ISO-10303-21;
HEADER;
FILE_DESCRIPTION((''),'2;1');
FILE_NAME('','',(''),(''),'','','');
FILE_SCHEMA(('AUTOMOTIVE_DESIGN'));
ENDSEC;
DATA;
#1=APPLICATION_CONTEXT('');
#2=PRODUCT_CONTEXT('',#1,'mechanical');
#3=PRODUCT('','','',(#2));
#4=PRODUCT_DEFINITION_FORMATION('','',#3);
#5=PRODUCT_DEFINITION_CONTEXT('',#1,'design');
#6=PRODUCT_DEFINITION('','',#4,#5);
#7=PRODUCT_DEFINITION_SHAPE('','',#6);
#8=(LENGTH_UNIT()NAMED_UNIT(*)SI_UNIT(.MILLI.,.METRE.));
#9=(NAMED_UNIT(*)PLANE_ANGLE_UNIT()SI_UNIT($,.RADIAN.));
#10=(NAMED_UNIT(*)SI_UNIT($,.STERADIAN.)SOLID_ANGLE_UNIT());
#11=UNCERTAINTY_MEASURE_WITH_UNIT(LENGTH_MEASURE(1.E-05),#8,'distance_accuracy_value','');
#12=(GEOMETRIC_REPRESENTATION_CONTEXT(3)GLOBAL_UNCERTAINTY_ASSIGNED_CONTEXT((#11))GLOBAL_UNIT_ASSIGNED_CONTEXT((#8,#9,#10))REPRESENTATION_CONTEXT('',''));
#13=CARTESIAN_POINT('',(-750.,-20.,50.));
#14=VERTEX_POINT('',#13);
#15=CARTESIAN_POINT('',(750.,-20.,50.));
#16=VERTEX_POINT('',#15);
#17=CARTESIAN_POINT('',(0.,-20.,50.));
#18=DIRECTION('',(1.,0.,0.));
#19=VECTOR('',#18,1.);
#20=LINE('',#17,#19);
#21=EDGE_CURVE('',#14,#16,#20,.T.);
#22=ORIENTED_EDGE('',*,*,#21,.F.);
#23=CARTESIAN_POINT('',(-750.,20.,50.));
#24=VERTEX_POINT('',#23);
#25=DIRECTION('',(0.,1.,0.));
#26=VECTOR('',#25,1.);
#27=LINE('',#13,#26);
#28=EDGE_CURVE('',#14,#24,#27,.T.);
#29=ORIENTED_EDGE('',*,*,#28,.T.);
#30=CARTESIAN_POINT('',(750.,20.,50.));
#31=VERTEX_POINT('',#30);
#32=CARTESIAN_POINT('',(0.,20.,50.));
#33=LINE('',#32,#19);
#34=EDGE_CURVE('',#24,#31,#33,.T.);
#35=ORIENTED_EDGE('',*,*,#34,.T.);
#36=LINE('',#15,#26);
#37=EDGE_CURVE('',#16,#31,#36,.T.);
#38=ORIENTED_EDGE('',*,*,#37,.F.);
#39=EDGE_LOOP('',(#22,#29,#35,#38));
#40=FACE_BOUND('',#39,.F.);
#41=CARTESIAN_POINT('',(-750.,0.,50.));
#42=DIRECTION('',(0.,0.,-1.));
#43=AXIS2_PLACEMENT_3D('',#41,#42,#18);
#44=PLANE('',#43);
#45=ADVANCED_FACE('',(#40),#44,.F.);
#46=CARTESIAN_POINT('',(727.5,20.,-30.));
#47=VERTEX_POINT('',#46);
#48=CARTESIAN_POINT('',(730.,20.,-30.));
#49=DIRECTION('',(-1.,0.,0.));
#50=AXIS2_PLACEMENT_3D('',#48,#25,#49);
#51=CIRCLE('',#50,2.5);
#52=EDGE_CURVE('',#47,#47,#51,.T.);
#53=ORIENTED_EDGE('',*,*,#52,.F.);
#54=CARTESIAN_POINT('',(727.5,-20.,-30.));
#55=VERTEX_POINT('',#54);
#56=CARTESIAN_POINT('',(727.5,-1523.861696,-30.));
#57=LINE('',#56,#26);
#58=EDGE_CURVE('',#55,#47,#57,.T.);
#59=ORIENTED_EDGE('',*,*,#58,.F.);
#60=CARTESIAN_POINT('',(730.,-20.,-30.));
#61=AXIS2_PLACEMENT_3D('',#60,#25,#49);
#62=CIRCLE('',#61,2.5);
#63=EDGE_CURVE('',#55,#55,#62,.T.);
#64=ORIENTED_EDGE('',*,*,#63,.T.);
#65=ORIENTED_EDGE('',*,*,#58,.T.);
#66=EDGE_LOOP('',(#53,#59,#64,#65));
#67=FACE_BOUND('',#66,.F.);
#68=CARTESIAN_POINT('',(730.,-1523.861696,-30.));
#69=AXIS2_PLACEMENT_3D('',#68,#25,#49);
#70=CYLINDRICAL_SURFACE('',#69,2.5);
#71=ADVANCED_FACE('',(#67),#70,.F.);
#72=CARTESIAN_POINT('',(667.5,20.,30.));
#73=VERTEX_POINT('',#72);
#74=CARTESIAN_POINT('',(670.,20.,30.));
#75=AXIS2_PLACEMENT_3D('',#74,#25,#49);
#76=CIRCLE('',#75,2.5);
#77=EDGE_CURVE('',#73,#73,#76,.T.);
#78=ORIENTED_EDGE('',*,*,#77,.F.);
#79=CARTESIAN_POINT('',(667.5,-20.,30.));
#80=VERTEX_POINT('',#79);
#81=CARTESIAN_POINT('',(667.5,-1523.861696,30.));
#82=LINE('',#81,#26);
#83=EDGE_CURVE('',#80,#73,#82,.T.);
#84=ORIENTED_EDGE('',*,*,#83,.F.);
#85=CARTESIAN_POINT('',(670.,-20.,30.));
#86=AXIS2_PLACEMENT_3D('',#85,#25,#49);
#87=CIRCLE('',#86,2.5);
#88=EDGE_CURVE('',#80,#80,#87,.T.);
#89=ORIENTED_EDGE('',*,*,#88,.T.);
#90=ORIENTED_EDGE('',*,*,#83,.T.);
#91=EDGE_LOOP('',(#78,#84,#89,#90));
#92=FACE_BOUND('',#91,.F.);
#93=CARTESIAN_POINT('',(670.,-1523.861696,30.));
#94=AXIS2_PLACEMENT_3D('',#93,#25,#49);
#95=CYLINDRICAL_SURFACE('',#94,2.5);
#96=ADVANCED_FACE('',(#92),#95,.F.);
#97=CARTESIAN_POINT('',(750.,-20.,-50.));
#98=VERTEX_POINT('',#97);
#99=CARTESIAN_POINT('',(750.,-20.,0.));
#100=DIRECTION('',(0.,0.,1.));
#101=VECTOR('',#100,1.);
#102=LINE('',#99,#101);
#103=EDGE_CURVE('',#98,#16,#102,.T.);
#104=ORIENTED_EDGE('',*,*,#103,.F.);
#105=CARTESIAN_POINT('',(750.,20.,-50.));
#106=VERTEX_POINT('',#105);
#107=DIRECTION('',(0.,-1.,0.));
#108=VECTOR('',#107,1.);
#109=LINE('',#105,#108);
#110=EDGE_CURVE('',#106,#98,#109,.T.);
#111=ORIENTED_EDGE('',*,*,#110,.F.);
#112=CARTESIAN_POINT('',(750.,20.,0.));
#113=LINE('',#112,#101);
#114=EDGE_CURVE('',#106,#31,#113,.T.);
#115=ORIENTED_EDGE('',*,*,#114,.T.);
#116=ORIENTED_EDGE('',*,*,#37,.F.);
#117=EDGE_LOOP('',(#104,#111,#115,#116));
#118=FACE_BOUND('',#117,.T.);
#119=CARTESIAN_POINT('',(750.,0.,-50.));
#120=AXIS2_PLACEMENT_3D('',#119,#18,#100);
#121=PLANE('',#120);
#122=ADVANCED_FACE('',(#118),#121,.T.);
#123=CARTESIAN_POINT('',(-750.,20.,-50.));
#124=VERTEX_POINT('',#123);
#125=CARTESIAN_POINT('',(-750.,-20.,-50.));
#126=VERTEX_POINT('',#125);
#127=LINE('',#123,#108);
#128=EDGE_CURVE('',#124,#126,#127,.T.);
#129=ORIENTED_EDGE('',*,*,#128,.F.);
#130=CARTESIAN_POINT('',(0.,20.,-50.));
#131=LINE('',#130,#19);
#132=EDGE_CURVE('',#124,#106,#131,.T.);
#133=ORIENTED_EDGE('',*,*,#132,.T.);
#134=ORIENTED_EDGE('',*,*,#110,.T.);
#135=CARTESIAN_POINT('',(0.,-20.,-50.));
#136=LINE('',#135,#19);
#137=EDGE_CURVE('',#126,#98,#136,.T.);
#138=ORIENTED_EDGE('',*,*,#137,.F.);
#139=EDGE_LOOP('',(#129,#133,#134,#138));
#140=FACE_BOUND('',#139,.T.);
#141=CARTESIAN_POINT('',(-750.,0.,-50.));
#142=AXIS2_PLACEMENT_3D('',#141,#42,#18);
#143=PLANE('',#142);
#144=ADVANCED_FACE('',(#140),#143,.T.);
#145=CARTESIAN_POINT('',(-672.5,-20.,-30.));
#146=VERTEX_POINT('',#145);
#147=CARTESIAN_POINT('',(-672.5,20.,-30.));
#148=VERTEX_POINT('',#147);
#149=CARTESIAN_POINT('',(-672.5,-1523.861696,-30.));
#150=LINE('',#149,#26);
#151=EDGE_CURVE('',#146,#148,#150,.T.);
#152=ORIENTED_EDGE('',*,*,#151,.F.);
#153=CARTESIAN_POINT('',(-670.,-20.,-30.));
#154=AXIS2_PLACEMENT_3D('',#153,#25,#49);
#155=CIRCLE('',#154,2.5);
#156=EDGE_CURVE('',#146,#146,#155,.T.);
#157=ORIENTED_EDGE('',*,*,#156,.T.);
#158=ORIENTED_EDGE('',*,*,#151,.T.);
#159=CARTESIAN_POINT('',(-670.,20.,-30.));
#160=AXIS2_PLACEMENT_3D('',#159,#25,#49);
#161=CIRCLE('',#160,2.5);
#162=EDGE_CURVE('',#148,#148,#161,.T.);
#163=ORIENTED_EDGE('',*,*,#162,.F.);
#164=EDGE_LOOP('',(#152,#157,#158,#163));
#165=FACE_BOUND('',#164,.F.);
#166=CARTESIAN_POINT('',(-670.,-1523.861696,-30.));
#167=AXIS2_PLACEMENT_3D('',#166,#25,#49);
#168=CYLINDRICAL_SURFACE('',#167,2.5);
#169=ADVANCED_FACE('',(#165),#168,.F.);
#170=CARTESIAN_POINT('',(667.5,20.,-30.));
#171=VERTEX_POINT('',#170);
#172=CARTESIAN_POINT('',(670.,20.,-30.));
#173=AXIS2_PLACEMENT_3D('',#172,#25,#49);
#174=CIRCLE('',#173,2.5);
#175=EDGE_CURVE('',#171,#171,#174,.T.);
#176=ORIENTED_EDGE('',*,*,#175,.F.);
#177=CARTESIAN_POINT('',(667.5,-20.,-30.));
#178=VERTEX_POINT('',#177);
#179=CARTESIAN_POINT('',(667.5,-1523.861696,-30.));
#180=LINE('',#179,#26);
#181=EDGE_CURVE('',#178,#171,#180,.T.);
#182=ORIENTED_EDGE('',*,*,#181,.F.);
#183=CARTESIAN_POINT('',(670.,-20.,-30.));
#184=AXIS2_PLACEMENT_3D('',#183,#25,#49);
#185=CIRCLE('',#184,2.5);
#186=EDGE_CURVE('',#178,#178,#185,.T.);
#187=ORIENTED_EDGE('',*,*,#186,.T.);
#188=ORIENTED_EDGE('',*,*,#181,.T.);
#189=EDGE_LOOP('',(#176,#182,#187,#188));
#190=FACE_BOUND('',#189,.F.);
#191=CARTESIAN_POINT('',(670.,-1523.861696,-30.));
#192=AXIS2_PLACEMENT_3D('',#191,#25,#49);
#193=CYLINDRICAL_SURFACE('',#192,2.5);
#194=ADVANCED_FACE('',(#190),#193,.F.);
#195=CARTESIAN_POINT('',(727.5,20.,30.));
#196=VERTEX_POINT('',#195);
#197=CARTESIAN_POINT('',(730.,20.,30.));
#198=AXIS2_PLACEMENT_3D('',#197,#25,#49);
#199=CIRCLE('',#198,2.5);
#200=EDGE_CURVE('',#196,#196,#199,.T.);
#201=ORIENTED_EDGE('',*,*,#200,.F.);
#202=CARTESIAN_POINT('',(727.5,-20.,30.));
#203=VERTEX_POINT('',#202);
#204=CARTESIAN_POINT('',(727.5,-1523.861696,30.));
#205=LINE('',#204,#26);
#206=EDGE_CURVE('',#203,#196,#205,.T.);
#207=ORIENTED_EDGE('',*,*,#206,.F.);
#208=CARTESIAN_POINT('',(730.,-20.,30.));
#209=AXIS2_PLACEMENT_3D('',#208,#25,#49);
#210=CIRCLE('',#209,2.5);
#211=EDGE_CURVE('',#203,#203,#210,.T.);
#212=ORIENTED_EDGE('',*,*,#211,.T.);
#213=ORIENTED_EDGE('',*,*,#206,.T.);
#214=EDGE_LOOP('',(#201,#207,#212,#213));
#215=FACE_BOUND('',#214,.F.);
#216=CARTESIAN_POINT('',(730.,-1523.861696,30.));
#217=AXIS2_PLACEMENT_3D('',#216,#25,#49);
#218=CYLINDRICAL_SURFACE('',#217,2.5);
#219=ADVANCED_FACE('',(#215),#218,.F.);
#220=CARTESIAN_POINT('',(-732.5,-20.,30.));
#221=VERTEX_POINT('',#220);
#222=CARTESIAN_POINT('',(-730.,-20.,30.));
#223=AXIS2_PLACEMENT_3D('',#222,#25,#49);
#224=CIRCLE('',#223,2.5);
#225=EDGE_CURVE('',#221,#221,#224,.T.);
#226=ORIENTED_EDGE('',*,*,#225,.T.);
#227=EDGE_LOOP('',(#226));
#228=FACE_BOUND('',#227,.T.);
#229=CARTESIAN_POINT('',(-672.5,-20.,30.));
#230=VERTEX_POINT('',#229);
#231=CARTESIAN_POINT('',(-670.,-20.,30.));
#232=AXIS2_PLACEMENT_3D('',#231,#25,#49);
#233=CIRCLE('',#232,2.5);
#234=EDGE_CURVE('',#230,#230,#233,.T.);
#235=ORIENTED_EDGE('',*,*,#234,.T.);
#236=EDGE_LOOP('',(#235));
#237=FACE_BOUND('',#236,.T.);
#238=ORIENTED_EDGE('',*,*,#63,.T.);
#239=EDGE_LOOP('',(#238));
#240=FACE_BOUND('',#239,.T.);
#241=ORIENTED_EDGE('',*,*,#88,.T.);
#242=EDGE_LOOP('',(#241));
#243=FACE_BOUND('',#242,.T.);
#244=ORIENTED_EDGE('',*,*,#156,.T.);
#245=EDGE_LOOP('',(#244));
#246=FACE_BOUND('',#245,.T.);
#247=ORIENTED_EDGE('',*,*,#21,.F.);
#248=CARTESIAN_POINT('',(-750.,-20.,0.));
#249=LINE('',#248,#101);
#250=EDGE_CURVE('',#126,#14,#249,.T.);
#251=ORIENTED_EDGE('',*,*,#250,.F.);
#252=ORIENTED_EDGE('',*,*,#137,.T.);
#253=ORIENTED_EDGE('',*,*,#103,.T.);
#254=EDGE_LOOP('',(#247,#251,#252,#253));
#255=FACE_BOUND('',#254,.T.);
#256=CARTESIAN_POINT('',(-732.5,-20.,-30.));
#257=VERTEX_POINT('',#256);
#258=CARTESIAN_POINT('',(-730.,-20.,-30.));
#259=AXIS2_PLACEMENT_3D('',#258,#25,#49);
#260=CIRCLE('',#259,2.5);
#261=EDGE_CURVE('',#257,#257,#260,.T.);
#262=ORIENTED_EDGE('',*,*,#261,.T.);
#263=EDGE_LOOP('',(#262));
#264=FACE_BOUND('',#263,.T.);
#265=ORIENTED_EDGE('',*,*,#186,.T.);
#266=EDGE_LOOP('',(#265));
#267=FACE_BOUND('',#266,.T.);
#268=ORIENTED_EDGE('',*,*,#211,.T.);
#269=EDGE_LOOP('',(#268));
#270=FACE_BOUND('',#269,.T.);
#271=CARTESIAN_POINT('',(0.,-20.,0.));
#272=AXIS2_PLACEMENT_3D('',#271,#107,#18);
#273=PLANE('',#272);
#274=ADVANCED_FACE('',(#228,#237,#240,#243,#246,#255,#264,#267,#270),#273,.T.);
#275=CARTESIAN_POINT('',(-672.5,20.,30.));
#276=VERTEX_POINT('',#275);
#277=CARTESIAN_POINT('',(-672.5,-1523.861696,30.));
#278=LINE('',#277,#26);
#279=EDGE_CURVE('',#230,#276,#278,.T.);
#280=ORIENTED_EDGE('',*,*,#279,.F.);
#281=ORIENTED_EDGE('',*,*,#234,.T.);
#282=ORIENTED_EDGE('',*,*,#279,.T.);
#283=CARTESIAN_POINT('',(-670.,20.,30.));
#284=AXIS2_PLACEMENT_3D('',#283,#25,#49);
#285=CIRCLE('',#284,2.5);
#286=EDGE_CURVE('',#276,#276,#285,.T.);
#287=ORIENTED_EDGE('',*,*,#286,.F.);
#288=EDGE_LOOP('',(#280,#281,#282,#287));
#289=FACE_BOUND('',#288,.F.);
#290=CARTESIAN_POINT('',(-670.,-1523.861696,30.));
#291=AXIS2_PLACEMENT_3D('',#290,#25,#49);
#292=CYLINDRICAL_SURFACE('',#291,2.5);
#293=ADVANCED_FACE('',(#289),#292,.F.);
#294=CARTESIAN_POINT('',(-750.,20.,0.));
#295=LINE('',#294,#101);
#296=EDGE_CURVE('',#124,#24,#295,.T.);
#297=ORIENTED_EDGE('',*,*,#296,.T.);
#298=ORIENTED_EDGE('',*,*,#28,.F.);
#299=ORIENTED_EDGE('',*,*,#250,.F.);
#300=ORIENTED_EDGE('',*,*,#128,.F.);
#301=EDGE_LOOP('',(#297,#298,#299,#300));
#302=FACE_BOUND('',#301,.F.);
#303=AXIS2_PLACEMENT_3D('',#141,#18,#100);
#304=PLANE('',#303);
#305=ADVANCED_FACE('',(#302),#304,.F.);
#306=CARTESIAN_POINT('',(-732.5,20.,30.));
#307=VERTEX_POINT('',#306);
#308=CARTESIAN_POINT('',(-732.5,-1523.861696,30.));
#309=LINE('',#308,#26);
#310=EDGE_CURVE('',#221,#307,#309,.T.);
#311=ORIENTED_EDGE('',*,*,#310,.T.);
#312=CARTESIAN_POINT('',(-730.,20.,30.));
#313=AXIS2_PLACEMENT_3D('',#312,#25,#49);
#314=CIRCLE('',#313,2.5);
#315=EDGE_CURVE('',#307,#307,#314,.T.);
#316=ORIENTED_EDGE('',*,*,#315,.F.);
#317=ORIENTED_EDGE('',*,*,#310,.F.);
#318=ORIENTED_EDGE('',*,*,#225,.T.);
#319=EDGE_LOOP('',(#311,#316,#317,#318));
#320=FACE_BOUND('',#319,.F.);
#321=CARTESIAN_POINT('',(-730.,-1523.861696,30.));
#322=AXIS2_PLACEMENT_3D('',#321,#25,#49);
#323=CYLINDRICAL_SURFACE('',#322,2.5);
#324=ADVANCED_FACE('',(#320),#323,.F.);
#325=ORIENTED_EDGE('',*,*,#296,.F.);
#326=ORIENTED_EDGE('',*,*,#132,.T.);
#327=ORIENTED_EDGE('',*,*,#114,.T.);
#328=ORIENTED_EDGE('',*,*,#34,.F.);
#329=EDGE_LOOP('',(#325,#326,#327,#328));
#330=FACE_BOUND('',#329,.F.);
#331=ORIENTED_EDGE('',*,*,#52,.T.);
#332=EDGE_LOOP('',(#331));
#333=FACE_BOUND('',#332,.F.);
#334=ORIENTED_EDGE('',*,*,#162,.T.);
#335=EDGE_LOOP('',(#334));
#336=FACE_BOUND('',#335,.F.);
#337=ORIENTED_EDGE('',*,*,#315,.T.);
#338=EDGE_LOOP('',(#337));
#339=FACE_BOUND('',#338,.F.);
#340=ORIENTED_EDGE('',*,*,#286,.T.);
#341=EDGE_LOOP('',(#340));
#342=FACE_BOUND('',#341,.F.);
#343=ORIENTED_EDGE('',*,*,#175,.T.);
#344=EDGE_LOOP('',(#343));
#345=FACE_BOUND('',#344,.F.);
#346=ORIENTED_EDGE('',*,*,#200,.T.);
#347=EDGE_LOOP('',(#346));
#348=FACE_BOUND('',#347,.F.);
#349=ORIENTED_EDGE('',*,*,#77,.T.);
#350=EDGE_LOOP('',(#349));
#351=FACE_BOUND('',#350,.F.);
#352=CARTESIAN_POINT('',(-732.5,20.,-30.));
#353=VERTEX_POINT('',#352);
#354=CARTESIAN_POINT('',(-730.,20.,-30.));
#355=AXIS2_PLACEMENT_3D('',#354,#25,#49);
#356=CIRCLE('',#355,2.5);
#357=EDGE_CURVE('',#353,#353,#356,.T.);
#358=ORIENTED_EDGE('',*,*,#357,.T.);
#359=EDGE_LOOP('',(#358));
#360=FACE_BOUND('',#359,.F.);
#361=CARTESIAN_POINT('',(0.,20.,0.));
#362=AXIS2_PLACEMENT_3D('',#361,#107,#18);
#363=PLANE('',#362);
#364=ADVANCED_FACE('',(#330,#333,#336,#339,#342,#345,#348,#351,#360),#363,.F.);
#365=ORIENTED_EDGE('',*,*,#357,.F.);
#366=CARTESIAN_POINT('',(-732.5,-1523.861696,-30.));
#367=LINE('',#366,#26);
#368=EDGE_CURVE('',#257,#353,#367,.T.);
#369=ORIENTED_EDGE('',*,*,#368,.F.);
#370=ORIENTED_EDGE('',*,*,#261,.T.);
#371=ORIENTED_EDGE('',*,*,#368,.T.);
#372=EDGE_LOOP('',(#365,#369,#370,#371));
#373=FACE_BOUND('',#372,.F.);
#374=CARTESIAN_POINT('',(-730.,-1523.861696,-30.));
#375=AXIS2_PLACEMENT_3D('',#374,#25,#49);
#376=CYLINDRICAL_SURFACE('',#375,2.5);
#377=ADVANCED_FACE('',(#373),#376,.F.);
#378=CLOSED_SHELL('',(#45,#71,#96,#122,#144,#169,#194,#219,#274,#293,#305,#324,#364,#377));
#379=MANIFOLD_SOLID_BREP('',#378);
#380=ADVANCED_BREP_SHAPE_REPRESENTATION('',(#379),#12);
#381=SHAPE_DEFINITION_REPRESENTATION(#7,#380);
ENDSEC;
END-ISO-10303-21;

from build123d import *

# Parameters (mm, degrees)
F0_W     = 1500
F0_H     = 100
F1_DEPTH = 20
F3_D     = 5


with BuildPart() as f1:
    # F0 (on Front) → F1 (new body, symmetric)
    with BuildSketch(Plane.XZ):
        Rectangle(F0_W, F0_H)
    extrude(amount=F1_DEPTH, both=True)

    # F3 (through all)
    with Locations(Plane.XZ.offset(20)):
        with Locations((-730, 30), (-730, -30), (-670, 30), (-670, -30), (670, 30), (730, 30), (670, -30), (730, -30)):
            Hole(F3_D / 2)


solid = f1.part
